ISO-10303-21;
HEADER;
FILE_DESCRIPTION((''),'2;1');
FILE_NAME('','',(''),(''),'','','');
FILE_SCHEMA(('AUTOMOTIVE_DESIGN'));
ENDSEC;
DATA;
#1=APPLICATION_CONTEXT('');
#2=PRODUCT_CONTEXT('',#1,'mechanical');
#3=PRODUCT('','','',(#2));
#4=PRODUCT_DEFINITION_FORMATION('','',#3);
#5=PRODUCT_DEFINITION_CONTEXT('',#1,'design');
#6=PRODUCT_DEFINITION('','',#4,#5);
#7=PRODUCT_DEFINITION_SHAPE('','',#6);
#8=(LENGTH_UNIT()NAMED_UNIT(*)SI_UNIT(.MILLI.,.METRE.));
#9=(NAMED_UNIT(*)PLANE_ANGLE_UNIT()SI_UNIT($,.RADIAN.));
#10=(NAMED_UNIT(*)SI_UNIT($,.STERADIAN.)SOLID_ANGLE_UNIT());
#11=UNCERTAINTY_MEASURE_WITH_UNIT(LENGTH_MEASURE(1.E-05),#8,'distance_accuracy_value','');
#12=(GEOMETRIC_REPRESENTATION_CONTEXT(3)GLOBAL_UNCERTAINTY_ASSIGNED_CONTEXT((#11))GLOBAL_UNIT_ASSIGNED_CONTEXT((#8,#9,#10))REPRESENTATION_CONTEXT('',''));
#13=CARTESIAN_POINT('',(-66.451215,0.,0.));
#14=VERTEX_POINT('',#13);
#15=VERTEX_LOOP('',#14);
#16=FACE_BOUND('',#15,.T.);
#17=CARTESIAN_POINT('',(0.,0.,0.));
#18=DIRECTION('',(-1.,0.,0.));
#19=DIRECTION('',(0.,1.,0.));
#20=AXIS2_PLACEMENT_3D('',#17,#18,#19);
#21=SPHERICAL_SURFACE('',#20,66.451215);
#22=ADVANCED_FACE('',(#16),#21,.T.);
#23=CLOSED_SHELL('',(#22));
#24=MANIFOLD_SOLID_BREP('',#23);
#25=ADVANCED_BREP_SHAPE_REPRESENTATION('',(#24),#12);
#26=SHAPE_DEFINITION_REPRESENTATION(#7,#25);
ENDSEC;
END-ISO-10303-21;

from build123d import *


with BuildPart() as part:
    # Sketch2 → Revolve1 (revolve)
    with BuildSketch(Plane.XY):
        with BuildLine():
            Line((-66.451215214, 0), (66.451215214, 0))
            ThreePointArc((66.451215214, 0), (0, 66.451215214), (-66.451215214, 0))
        make_face()
    revolve(axis=Axis((-66.451215214, 0, 0), (1, 0, 0)))


solid = part.part
